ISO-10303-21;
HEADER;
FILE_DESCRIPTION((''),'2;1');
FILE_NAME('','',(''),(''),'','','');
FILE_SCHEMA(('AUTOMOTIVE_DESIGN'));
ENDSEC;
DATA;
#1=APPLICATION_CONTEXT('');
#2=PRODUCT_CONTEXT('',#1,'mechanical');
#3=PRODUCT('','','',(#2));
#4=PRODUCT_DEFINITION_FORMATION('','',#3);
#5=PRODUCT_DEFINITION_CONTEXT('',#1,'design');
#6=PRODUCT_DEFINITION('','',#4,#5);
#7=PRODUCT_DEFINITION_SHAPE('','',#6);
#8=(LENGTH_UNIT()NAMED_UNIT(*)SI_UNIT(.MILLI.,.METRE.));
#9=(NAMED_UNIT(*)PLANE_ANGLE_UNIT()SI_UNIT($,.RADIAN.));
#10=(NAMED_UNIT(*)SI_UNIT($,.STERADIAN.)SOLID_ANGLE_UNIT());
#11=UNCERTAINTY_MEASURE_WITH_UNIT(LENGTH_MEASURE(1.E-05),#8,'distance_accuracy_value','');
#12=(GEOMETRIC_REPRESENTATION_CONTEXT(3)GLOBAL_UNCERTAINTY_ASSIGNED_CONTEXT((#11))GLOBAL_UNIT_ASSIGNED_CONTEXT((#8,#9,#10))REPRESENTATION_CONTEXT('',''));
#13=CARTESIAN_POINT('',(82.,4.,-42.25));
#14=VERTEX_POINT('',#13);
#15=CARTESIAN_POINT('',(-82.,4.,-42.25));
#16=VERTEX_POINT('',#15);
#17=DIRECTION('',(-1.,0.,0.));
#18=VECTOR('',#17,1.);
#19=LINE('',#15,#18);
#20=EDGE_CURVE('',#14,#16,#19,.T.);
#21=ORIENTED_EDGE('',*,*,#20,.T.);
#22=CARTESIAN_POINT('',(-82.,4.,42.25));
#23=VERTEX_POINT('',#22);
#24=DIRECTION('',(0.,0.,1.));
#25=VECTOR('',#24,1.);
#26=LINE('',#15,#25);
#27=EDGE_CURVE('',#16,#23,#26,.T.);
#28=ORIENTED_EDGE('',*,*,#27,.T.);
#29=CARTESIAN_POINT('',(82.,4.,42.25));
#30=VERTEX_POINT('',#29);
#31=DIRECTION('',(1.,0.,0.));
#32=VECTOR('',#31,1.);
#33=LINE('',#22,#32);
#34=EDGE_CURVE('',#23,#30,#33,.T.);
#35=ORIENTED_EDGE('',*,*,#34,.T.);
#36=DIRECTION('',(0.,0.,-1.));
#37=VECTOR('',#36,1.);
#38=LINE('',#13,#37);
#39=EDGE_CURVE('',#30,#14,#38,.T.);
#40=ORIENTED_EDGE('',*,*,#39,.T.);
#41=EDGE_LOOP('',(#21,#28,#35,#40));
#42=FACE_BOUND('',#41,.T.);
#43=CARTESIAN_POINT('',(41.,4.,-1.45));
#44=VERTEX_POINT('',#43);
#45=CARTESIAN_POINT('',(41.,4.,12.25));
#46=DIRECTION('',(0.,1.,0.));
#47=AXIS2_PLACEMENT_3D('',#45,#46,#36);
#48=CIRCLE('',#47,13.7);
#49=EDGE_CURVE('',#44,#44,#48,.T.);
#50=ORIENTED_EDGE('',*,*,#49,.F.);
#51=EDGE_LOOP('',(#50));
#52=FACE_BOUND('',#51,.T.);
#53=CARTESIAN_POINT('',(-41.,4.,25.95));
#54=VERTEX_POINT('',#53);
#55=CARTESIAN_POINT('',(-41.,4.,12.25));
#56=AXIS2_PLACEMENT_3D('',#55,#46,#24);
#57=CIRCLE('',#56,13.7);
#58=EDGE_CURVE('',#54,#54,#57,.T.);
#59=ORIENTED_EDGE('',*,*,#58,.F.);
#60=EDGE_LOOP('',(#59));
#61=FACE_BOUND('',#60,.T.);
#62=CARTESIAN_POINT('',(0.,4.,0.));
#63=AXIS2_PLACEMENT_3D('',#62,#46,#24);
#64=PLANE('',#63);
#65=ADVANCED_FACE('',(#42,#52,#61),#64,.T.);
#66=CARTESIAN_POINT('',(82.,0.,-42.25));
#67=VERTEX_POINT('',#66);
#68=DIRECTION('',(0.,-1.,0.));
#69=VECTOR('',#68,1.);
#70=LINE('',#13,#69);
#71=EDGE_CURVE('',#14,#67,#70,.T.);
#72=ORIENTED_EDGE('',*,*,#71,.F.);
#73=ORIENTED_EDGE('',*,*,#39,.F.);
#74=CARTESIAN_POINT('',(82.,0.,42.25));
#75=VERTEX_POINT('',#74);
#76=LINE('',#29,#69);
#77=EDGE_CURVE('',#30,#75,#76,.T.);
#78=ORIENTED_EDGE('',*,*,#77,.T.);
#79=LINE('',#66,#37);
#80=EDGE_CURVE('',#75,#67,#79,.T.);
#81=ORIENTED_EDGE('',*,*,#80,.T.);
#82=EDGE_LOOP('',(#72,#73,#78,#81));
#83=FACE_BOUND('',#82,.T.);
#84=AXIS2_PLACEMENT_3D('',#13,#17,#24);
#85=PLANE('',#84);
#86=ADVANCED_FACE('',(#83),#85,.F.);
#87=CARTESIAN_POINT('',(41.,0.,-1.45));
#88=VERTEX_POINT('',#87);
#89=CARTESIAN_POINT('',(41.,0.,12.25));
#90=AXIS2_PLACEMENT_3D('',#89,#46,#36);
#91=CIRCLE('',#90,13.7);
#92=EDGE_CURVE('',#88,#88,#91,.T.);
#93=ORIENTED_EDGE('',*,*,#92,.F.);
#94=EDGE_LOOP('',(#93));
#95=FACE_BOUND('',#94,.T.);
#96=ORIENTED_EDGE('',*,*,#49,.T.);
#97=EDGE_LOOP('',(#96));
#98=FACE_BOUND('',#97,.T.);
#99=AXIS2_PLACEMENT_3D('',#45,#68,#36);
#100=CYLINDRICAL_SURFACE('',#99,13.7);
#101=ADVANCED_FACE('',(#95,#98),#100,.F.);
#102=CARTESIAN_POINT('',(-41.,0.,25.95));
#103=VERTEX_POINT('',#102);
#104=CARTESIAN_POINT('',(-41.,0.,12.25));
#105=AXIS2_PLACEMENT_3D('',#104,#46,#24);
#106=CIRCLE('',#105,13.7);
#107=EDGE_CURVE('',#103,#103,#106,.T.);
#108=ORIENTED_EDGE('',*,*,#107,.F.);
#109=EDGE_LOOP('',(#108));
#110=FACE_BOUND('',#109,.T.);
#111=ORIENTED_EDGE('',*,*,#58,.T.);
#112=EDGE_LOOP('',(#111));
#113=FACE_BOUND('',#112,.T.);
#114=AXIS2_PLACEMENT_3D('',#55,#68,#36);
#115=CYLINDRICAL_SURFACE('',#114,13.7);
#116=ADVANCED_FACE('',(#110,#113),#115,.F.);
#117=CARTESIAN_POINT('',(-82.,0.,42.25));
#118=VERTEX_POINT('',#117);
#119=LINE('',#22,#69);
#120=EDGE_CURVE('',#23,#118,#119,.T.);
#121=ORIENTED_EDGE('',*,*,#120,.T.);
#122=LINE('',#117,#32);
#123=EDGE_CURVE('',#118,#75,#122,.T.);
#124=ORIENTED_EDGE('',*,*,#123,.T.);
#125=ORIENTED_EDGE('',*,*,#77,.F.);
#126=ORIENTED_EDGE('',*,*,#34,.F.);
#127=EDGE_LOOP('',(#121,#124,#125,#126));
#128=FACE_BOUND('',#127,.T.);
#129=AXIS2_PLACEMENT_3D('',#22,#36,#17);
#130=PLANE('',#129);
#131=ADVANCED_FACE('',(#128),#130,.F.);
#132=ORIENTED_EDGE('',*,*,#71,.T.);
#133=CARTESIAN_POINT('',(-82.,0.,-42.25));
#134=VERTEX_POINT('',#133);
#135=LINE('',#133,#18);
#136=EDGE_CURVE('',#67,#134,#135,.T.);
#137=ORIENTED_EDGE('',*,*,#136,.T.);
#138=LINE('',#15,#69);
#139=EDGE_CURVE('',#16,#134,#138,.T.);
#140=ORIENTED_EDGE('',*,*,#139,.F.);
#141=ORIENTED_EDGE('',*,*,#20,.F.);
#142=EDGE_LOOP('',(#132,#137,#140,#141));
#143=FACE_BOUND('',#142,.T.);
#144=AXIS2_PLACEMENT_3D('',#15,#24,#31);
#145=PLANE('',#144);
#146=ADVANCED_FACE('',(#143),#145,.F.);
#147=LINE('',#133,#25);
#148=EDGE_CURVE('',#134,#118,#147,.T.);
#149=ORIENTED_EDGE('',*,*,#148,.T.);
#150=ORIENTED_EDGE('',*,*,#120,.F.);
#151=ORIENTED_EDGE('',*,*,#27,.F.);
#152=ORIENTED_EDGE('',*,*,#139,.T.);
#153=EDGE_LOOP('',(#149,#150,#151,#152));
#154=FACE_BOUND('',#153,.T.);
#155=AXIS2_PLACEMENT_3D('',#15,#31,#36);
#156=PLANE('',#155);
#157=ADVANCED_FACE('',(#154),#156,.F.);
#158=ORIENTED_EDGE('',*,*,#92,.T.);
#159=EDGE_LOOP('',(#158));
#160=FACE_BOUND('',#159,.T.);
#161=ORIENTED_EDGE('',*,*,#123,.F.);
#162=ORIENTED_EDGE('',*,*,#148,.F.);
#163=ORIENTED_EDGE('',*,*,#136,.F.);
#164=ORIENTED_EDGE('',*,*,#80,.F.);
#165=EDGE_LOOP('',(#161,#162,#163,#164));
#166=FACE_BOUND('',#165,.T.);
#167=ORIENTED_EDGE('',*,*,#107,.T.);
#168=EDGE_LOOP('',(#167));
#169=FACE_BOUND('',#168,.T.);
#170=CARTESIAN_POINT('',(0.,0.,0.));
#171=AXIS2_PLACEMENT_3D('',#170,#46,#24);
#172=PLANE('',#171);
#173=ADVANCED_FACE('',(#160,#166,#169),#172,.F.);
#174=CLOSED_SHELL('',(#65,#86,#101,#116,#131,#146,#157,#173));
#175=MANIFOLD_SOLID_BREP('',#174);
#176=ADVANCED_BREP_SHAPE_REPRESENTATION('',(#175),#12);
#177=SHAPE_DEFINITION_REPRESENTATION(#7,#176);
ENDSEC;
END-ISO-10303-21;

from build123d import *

# Parameters (mm, degrees)
SKETCH1_W           = 164
SKETCH1_H           = 84.5
SKETCH1_R           = 13.7
BOSS_EXTRUDE1_DEPTH = 4


with BuildPart() as part:
    # Sketch1 → Boss-Extrude1 (new body)
    with BuildSketch(Plane(origin=(0, 0, 0), x_dir=(1, 0, 0), z_dir=(0, 1, 0))):
        Rectangle(SKETCH1_W, SKETCH1_H)
        with Locations((-41, -12.25)):
            Circle(SKETCH1_R, mode=Mode.SUBTRACT)
        with Locations((41, -12.25)):
            Circle(SKETCH1_R, mode=Mode.SUBTRACT)
    extrude(amount=BOSS_EXTRUDE1_DEPTH)


solid = part.part
